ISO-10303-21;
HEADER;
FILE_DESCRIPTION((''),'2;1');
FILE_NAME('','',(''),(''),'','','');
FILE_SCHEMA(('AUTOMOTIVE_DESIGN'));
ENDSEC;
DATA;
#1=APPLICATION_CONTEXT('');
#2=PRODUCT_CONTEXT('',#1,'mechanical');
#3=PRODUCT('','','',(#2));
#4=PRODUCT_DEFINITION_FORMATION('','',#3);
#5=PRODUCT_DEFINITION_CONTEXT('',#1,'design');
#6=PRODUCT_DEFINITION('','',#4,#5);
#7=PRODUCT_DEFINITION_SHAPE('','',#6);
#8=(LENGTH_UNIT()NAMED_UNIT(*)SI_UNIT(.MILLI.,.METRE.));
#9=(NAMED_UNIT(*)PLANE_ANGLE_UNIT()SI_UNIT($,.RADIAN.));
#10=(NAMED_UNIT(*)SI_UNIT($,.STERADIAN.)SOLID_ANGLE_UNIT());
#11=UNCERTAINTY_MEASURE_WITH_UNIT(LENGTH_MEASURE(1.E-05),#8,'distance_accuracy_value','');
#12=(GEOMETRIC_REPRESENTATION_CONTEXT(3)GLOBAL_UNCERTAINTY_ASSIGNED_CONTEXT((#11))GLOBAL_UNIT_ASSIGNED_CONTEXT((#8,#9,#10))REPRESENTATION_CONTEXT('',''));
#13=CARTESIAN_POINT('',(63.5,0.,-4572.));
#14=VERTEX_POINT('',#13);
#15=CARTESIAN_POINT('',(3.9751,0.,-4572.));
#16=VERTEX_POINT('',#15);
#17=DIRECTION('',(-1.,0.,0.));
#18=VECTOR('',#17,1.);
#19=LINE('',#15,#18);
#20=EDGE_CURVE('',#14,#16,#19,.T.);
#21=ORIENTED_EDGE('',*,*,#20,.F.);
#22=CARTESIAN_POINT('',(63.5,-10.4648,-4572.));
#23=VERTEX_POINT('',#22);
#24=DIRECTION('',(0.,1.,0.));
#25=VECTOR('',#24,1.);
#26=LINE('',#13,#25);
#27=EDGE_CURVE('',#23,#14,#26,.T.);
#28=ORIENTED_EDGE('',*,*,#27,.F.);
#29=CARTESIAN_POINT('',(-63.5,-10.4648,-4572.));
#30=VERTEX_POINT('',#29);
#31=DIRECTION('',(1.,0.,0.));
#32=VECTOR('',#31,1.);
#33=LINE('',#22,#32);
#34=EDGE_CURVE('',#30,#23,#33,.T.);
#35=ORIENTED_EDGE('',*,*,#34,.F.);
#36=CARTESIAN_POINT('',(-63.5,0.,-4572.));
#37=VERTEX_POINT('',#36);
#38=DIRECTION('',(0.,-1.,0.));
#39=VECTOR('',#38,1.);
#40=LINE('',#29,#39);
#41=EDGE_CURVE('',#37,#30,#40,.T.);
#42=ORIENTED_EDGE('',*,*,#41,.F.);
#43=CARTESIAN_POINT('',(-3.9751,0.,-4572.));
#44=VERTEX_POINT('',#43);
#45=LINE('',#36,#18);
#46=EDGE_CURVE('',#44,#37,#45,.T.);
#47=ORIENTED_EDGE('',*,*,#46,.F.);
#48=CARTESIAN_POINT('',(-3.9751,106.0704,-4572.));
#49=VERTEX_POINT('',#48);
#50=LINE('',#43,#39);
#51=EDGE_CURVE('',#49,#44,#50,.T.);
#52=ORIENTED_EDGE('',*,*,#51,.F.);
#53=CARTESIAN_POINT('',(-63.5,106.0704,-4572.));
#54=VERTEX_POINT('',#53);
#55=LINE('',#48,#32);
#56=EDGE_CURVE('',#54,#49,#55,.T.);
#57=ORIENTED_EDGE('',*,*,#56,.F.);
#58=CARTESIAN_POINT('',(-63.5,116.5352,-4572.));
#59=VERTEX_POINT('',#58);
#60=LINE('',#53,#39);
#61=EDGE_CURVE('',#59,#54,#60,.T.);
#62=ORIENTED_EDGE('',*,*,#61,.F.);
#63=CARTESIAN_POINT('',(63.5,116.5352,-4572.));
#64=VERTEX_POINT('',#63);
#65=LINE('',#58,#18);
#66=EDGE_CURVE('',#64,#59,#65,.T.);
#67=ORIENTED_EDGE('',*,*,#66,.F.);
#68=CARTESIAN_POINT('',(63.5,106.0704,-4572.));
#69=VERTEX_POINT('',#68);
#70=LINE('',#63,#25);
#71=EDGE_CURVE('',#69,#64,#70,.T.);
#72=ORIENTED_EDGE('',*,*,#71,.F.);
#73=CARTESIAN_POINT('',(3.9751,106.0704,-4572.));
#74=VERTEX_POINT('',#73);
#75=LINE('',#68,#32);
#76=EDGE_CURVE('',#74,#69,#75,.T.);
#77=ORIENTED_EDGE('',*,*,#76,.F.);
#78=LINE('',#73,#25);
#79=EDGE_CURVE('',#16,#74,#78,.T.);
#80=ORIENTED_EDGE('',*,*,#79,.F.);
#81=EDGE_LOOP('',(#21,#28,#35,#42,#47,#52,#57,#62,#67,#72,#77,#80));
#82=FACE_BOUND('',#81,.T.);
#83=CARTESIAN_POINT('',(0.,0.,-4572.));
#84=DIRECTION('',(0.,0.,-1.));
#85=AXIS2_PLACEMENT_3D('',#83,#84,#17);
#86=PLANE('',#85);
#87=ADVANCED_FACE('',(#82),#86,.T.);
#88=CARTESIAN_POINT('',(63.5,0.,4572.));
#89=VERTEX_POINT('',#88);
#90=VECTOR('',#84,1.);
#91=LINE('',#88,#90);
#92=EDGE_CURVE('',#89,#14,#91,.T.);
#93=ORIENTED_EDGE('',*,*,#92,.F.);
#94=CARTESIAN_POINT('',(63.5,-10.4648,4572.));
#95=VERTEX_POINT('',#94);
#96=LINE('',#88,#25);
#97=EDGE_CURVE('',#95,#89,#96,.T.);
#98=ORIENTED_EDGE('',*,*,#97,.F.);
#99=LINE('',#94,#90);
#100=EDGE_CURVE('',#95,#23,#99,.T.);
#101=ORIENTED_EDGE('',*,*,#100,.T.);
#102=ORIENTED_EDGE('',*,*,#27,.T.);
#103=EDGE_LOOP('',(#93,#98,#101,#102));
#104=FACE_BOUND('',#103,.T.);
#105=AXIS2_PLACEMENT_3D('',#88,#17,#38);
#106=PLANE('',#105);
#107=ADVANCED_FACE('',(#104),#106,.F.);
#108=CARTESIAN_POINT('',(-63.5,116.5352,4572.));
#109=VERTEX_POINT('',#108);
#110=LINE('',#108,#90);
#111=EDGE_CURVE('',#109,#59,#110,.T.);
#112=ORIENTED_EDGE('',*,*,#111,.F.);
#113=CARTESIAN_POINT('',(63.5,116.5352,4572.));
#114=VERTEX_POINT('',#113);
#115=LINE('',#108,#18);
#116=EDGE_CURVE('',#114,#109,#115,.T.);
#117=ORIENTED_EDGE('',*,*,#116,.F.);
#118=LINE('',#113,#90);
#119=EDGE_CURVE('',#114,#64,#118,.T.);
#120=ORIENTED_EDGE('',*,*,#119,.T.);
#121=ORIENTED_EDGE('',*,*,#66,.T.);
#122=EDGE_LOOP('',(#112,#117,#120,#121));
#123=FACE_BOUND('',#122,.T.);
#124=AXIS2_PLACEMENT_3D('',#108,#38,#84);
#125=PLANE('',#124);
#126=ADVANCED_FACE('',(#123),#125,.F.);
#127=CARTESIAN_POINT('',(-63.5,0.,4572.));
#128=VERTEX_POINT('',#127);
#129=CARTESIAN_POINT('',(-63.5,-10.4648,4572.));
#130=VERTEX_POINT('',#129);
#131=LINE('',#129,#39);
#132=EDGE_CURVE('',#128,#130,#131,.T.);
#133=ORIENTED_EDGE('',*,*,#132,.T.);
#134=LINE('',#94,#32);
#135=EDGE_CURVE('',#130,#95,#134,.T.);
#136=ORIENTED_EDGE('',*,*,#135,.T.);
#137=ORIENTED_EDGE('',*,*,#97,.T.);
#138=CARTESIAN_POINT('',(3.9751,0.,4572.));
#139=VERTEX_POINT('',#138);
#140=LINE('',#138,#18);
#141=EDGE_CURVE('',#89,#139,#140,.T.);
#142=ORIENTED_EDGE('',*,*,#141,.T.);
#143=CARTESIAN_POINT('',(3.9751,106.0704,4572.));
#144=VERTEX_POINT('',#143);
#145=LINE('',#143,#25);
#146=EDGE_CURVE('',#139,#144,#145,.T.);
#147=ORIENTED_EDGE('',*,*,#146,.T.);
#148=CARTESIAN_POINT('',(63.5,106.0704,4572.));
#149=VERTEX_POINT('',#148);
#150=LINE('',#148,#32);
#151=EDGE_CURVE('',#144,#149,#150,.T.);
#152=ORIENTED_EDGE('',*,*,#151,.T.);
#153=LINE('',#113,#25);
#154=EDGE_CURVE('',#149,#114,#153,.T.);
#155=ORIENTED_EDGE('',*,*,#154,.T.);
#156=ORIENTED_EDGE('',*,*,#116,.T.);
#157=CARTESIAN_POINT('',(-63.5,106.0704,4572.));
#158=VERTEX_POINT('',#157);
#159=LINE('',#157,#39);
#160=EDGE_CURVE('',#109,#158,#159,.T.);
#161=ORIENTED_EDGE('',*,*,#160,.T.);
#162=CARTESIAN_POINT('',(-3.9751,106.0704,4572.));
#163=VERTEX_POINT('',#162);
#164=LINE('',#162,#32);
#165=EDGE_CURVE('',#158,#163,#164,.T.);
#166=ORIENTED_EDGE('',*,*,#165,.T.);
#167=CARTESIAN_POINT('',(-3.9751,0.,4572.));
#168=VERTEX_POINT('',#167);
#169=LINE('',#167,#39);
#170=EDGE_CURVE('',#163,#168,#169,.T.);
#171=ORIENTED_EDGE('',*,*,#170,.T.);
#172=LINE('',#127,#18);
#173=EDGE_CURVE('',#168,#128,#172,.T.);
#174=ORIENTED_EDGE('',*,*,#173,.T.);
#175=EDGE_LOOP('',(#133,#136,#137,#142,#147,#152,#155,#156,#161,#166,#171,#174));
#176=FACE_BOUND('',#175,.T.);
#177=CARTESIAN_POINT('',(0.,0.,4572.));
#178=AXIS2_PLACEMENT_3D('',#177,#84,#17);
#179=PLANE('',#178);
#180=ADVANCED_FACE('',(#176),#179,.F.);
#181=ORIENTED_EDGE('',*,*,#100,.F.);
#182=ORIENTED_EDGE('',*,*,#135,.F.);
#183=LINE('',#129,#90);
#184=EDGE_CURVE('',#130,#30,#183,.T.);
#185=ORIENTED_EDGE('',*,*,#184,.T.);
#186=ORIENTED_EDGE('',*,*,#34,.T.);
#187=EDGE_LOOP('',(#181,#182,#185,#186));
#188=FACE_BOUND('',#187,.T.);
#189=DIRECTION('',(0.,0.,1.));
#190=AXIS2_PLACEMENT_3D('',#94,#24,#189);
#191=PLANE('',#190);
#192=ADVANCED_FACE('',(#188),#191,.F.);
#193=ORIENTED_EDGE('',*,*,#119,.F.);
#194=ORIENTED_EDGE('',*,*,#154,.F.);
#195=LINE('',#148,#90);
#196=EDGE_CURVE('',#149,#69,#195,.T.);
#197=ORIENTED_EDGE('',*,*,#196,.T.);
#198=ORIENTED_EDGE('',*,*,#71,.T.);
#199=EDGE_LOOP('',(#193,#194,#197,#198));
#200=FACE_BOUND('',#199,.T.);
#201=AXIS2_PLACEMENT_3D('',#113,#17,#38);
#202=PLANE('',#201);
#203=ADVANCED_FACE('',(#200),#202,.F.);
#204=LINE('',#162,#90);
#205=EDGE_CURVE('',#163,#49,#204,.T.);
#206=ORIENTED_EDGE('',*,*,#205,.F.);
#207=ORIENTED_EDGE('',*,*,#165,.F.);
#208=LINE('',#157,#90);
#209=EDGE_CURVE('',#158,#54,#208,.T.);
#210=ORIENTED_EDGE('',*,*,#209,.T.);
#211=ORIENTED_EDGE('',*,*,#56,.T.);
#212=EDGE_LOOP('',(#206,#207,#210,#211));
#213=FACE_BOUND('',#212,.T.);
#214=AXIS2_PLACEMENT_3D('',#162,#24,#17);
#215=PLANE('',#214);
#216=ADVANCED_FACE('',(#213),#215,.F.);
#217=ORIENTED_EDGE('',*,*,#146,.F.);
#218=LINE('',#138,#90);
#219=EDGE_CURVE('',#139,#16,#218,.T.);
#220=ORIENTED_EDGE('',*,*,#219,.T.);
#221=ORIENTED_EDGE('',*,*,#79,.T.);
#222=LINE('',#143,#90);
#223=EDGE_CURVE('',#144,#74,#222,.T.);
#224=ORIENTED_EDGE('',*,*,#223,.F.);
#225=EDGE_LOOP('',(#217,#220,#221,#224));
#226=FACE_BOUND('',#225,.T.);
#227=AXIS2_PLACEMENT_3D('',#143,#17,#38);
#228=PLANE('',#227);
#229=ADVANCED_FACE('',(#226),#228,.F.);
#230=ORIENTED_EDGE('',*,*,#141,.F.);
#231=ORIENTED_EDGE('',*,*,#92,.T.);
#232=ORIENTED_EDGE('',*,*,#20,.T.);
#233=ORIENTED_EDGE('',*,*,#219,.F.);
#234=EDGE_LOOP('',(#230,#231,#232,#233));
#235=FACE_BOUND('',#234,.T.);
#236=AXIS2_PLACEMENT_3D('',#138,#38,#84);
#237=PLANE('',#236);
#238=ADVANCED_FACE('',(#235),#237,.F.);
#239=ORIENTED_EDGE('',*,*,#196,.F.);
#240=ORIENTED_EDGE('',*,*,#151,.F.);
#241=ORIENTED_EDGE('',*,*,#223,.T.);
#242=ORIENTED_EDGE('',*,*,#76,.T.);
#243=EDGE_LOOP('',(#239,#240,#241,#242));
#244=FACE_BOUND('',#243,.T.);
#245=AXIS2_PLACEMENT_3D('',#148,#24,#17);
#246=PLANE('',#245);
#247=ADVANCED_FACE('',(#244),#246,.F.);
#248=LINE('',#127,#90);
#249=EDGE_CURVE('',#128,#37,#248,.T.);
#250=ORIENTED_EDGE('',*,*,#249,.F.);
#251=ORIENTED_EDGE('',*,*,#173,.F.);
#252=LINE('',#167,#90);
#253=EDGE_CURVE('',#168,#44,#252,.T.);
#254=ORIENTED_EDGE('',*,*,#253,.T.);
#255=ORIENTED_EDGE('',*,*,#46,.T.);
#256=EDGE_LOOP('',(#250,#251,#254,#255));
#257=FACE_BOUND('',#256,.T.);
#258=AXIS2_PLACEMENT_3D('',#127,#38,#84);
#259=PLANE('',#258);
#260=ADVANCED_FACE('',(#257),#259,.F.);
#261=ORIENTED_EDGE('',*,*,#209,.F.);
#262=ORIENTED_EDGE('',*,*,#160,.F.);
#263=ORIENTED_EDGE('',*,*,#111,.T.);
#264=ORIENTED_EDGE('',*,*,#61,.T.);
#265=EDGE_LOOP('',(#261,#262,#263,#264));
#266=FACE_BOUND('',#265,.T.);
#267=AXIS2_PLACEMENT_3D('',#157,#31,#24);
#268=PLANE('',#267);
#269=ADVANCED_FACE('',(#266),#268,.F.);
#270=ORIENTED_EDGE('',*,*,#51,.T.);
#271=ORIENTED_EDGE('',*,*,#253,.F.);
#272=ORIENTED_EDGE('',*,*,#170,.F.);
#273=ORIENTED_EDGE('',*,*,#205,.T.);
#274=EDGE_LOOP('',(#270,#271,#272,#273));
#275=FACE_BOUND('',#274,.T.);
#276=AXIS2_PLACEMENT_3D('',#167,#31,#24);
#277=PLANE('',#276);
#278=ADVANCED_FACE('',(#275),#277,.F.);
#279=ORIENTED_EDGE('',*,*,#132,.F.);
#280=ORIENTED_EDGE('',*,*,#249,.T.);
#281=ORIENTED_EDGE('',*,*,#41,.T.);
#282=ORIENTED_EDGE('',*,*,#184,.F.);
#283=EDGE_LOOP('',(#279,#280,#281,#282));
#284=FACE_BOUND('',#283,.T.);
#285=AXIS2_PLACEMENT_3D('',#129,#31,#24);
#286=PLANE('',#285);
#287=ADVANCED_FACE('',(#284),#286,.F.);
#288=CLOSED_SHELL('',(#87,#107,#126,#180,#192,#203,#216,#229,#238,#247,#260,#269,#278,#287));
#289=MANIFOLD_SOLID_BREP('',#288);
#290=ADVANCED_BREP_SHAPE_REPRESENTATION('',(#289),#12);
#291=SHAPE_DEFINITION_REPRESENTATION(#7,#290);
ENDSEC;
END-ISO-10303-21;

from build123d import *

# Parameters (mm, degrees)
RAIL_DEPTH = 4572


with BuildPart() as part:
    # Sketch1 → RAIL (new body, symmetric)
    with BuildSketch(Plane.XY):
        Polygon((-63.5, 116.5352), (63.5, 116.5352), (63.5, 106.0704), (3.9751, 106.0704), (3.9751, 0), (63.5, 0), (63.5, -10.4648), (-63.5, -10.4648), (-63.5, 0), (-3.9751, 0), (-3.9751, 106.0704), (-63.5, 106.0704), align=None)
    extrude(amount=RAIL_DEPTH, both=True)


solid = part.part
